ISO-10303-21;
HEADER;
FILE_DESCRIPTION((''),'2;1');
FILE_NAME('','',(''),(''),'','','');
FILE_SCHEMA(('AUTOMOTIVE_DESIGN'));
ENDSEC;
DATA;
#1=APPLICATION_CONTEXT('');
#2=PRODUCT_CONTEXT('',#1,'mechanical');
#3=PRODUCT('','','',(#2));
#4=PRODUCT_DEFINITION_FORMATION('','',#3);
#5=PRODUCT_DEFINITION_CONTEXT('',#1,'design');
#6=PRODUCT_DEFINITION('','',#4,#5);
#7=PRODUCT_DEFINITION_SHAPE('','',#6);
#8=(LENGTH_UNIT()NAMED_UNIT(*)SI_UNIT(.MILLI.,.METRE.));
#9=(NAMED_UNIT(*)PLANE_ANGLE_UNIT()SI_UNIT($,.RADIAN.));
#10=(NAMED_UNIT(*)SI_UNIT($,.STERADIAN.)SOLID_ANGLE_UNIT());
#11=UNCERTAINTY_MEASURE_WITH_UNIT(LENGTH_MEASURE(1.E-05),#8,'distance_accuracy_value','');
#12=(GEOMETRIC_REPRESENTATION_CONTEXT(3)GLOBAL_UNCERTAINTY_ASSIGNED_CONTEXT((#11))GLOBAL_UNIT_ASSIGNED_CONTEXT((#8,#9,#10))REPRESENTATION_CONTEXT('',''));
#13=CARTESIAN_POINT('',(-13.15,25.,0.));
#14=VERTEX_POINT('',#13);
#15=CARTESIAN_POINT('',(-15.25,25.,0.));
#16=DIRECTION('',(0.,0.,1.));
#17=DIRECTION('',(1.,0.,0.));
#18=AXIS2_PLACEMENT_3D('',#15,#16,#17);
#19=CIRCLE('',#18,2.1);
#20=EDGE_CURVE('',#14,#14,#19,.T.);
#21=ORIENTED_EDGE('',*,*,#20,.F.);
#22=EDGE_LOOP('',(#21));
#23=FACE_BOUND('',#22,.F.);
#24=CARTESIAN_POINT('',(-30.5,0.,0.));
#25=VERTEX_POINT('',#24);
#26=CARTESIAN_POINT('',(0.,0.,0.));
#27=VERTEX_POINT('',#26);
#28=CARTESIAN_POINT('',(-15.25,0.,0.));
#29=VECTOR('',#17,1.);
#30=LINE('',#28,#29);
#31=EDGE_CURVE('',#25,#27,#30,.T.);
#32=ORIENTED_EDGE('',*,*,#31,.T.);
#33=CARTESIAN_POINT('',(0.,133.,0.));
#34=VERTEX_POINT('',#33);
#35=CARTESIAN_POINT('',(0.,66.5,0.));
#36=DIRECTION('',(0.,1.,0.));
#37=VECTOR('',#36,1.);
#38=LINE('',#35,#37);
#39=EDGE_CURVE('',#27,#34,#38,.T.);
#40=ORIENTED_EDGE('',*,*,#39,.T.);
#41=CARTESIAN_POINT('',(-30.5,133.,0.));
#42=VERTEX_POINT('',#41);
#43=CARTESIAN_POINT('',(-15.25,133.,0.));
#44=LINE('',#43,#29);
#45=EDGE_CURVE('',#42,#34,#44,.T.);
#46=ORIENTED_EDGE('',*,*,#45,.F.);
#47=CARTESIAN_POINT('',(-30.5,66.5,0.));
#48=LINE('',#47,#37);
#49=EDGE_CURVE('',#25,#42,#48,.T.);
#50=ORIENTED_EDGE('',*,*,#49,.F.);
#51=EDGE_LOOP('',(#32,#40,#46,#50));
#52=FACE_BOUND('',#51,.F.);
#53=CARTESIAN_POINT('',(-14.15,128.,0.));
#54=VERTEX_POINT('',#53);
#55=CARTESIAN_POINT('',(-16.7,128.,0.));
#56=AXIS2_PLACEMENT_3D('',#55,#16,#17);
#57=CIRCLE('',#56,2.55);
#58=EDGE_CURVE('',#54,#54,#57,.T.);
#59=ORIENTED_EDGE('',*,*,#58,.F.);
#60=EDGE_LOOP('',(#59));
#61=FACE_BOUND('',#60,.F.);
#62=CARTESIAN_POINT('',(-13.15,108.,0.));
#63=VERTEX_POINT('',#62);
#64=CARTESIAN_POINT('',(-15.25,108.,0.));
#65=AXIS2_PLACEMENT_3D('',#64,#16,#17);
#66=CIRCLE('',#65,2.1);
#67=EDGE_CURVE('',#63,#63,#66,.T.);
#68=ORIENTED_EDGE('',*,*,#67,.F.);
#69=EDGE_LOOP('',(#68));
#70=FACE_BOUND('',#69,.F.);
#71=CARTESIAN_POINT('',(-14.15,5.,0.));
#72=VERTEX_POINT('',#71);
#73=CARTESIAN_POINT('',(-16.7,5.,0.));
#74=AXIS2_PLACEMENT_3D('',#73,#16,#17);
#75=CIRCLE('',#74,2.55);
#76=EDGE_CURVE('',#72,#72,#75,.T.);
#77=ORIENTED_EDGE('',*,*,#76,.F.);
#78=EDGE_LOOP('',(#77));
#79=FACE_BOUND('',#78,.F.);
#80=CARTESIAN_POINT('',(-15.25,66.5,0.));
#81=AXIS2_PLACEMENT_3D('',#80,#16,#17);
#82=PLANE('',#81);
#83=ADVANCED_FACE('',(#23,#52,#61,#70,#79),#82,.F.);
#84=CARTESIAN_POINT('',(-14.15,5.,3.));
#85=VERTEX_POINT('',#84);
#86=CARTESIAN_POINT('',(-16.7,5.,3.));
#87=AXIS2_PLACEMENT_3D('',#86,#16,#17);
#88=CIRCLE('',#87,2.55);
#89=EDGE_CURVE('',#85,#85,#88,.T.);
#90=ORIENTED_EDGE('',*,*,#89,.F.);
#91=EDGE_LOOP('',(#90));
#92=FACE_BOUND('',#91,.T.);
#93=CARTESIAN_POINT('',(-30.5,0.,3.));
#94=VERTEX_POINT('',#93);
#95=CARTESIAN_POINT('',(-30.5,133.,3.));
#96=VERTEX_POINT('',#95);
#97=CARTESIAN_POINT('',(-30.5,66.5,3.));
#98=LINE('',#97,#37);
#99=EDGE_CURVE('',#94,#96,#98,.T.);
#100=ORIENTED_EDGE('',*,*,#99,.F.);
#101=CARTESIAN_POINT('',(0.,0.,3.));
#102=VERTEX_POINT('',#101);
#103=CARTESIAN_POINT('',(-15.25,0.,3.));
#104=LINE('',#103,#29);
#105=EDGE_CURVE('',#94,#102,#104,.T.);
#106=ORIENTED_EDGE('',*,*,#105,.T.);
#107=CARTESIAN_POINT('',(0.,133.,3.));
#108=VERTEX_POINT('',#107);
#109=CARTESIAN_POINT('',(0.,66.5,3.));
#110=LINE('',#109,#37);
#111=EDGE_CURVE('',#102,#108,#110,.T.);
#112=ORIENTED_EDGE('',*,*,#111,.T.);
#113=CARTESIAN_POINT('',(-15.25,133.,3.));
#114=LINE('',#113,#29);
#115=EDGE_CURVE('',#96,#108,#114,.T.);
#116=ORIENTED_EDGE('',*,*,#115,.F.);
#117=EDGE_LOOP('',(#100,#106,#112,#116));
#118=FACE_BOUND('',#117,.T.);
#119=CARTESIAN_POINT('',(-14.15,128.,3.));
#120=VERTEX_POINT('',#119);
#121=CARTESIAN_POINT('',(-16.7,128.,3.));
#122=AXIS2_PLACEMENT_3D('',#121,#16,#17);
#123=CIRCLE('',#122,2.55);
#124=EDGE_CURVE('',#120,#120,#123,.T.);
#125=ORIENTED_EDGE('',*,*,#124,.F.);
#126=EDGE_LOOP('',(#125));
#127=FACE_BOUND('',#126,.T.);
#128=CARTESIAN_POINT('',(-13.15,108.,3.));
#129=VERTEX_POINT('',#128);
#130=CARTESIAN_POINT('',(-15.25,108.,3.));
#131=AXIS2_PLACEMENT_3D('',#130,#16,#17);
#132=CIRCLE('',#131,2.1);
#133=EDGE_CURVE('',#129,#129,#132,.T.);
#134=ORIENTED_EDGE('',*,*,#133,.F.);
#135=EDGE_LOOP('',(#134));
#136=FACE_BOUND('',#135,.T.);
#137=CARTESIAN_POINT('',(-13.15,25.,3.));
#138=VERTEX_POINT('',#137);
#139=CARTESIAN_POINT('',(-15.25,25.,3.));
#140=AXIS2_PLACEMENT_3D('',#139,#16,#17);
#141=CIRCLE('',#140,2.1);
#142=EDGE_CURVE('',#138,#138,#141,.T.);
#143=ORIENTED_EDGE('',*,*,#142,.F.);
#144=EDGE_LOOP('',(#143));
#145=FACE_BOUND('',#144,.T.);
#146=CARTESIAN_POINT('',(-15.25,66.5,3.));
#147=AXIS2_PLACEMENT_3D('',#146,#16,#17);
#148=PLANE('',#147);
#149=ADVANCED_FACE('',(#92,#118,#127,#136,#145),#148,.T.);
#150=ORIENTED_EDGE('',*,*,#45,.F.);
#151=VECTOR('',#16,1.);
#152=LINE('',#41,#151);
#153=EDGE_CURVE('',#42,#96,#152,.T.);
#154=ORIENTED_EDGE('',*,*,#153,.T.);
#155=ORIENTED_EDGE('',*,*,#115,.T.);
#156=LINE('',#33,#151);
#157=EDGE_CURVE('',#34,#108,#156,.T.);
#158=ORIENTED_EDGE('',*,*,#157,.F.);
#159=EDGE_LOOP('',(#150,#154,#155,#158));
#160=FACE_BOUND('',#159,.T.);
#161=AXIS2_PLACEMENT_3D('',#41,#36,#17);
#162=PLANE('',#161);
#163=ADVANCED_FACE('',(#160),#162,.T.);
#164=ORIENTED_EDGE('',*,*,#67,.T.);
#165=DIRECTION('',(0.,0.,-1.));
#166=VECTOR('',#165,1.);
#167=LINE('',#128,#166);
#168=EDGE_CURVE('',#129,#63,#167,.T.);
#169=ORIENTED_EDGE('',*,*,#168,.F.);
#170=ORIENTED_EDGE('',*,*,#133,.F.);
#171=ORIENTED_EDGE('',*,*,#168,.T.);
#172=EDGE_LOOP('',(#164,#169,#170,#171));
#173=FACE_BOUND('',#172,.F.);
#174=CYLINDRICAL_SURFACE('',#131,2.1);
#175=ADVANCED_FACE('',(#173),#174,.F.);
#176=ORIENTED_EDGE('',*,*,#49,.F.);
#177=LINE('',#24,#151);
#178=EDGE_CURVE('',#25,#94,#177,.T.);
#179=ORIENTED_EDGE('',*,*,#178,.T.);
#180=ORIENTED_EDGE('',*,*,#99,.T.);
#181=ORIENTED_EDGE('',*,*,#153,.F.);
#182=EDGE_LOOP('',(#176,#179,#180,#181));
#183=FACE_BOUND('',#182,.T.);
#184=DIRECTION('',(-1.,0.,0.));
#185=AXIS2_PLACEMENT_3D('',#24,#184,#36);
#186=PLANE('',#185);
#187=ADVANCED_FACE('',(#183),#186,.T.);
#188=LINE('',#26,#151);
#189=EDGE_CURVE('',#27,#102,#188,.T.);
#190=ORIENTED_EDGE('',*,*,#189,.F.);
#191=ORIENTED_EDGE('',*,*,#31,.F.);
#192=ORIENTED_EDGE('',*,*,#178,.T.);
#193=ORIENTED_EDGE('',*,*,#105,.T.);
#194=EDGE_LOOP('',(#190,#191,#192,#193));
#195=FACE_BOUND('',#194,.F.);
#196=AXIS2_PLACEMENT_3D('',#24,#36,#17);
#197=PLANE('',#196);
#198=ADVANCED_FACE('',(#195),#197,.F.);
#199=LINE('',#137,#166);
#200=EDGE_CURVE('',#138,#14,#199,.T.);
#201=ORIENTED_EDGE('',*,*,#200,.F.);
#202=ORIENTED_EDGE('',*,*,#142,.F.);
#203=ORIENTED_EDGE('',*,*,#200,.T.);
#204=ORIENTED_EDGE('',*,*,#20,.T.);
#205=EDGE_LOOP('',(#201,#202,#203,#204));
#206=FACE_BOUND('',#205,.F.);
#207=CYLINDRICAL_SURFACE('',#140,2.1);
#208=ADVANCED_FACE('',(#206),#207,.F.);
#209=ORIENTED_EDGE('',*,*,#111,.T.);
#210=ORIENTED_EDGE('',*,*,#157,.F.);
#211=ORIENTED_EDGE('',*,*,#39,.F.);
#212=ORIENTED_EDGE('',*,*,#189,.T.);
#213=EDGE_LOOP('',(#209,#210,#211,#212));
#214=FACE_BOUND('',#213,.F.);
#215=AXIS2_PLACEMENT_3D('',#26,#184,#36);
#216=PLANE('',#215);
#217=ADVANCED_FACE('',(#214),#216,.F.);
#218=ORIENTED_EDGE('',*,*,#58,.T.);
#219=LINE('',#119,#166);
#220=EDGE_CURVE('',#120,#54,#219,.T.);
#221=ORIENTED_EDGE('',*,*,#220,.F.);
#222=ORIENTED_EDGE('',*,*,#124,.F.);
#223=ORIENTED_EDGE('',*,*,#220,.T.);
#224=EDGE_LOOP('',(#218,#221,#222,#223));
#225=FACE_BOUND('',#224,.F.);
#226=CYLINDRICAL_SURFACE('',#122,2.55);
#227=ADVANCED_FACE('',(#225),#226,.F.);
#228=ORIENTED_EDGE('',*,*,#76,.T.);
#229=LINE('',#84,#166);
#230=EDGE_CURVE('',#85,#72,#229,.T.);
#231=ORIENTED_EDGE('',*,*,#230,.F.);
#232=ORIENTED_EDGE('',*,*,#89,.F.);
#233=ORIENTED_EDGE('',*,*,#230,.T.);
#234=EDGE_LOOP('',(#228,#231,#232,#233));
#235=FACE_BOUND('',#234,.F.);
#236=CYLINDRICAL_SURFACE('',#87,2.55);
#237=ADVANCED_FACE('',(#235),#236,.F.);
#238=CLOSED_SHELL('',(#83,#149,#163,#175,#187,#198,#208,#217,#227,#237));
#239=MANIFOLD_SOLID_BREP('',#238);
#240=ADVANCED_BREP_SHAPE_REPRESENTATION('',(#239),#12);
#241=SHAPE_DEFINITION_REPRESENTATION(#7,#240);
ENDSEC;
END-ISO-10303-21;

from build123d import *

# Parameters (mm, degrees)
SKETCH_W      = 30.5
SKETCH_H      = 133
PAD_DEPTH     = 3
SKETCH001_R   = 2.55
SKETCH001_R_2 = 2.1
POCKET_DEPTH  = 3.001


with BuildPart() as part:
    # Sketch → Pad (new body)
    with BuildSketch(Plane.XY):
        with Locations((-15.25, 66.5)):
            Rectangle(SKETCH_W, SKETCH_H)
    extrude(amount=PAD_DEPTH)

    # Sketch001 (on Face6 of Pad) → Pocket (cut, through all)
    with BuildSketch(Plane.XY.offset(3)):
        with Locations((-16.7, 5)):
            Circle(SKETCH001_R)
        with Locations((-16.7, 128)):
            Circle(SKETCH001_R)
        with Locations((-15.25, 25)):
            Circle(SKETCH001_R_2)
        with Locations((-15.25, 108)):
            Circle(SKETCH001_R_2)
    extrude(amount=-POCKET_DEPTH, mode=Mode.SUBTRACT)


solid = part.part
